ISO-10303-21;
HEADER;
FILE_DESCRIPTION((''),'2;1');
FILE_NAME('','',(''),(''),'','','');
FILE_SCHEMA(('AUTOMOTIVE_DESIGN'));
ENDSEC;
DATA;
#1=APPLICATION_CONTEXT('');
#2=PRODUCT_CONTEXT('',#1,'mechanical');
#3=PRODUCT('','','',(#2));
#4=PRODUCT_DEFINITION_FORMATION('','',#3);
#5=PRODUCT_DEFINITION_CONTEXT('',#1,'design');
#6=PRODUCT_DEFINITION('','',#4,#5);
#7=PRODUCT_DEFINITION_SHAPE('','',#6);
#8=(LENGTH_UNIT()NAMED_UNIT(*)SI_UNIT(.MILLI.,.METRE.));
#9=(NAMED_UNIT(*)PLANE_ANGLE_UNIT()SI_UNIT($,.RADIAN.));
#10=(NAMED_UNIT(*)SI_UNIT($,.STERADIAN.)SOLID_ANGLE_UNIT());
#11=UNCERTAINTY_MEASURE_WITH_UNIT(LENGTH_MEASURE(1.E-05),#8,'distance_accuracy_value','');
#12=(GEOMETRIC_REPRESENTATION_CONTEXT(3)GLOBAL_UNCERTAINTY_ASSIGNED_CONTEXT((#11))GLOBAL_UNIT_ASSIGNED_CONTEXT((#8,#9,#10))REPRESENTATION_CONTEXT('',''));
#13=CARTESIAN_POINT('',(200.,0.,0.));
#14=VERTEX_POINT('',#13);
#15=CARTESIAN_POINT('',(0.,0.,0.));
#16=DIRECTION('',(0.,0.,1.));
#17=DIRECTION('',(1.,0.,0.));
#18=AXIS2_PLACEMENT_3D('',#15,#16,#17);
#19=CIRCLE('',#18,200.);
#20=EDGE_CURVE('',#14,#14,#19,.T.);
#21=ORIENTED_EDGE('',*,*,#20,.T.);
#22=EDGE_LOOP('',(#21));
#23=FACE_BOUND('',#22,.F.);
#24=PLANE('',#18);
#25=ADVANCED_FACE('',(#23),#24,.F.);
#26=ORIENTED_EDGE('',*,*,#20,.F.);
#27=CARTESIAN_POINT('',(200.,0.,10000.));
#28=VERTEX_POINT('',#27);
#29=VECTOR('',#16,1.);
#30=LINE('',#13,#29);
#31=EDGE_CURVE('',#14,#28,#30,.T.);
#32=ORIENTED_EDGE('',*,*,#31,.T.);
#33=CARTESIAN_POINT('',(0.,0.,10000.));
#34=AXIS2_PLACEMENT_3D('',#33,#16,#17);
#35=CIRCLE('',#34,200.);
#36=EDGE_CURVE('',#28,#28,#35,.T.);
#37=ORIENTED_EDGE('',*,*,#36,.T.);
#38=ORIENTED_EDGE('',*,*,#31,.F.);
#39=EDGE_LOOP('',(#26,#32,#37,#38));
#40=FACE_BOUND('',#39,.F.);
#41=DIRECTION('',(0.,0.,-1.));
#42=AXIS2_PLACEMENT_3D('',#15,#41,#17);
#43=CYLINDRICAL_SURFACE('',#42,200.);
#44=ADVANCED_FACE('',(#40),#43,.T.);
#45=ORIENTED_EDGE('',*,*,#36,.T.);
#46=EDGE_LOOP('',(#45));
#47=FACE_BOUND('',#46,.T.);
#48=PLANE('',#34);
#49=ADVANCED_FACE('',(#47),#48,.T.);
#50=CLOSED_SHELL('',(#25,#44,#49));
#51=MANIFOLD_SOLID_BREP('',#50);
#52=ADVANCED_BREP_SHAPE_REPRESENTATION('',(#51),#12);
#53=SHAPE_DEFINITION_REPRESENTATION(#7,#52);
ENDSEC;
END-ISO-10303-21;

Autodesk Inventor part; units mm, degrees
ref_plane "YZ Plane" through (0, 0, 0) normal (1, 0, 0) x (0, 1, 0)
ref_plane "XZ Plane" through (0, 0, 0) normal (0, 1, 0) x (-1, 0, 0)
ref_plane "XY Plane" through (0, 0, 0) normal (0, 0, 1) x (1, 0, 0)
sketch "Skizze1" plane through (0, 0, 0) normal (0, 0, 1) x (1, 0, 0)
  line L0 (-280, 0) -> (280, 0) construction
  line L1 (0, -280) -> (0, 280) construction
  circle A0 centre (0, 0) radius 200
  dimension "d2" = 400
sketch "Skizze2" plane through (0, 0, 0) normal (1, 0, 0) x (0, 1, 0)
  point P0 (0, 0)
extrude "Extrusion1" add sketch "Skizze1" along normal blind 10000
properties part number "Bauteile 1"
